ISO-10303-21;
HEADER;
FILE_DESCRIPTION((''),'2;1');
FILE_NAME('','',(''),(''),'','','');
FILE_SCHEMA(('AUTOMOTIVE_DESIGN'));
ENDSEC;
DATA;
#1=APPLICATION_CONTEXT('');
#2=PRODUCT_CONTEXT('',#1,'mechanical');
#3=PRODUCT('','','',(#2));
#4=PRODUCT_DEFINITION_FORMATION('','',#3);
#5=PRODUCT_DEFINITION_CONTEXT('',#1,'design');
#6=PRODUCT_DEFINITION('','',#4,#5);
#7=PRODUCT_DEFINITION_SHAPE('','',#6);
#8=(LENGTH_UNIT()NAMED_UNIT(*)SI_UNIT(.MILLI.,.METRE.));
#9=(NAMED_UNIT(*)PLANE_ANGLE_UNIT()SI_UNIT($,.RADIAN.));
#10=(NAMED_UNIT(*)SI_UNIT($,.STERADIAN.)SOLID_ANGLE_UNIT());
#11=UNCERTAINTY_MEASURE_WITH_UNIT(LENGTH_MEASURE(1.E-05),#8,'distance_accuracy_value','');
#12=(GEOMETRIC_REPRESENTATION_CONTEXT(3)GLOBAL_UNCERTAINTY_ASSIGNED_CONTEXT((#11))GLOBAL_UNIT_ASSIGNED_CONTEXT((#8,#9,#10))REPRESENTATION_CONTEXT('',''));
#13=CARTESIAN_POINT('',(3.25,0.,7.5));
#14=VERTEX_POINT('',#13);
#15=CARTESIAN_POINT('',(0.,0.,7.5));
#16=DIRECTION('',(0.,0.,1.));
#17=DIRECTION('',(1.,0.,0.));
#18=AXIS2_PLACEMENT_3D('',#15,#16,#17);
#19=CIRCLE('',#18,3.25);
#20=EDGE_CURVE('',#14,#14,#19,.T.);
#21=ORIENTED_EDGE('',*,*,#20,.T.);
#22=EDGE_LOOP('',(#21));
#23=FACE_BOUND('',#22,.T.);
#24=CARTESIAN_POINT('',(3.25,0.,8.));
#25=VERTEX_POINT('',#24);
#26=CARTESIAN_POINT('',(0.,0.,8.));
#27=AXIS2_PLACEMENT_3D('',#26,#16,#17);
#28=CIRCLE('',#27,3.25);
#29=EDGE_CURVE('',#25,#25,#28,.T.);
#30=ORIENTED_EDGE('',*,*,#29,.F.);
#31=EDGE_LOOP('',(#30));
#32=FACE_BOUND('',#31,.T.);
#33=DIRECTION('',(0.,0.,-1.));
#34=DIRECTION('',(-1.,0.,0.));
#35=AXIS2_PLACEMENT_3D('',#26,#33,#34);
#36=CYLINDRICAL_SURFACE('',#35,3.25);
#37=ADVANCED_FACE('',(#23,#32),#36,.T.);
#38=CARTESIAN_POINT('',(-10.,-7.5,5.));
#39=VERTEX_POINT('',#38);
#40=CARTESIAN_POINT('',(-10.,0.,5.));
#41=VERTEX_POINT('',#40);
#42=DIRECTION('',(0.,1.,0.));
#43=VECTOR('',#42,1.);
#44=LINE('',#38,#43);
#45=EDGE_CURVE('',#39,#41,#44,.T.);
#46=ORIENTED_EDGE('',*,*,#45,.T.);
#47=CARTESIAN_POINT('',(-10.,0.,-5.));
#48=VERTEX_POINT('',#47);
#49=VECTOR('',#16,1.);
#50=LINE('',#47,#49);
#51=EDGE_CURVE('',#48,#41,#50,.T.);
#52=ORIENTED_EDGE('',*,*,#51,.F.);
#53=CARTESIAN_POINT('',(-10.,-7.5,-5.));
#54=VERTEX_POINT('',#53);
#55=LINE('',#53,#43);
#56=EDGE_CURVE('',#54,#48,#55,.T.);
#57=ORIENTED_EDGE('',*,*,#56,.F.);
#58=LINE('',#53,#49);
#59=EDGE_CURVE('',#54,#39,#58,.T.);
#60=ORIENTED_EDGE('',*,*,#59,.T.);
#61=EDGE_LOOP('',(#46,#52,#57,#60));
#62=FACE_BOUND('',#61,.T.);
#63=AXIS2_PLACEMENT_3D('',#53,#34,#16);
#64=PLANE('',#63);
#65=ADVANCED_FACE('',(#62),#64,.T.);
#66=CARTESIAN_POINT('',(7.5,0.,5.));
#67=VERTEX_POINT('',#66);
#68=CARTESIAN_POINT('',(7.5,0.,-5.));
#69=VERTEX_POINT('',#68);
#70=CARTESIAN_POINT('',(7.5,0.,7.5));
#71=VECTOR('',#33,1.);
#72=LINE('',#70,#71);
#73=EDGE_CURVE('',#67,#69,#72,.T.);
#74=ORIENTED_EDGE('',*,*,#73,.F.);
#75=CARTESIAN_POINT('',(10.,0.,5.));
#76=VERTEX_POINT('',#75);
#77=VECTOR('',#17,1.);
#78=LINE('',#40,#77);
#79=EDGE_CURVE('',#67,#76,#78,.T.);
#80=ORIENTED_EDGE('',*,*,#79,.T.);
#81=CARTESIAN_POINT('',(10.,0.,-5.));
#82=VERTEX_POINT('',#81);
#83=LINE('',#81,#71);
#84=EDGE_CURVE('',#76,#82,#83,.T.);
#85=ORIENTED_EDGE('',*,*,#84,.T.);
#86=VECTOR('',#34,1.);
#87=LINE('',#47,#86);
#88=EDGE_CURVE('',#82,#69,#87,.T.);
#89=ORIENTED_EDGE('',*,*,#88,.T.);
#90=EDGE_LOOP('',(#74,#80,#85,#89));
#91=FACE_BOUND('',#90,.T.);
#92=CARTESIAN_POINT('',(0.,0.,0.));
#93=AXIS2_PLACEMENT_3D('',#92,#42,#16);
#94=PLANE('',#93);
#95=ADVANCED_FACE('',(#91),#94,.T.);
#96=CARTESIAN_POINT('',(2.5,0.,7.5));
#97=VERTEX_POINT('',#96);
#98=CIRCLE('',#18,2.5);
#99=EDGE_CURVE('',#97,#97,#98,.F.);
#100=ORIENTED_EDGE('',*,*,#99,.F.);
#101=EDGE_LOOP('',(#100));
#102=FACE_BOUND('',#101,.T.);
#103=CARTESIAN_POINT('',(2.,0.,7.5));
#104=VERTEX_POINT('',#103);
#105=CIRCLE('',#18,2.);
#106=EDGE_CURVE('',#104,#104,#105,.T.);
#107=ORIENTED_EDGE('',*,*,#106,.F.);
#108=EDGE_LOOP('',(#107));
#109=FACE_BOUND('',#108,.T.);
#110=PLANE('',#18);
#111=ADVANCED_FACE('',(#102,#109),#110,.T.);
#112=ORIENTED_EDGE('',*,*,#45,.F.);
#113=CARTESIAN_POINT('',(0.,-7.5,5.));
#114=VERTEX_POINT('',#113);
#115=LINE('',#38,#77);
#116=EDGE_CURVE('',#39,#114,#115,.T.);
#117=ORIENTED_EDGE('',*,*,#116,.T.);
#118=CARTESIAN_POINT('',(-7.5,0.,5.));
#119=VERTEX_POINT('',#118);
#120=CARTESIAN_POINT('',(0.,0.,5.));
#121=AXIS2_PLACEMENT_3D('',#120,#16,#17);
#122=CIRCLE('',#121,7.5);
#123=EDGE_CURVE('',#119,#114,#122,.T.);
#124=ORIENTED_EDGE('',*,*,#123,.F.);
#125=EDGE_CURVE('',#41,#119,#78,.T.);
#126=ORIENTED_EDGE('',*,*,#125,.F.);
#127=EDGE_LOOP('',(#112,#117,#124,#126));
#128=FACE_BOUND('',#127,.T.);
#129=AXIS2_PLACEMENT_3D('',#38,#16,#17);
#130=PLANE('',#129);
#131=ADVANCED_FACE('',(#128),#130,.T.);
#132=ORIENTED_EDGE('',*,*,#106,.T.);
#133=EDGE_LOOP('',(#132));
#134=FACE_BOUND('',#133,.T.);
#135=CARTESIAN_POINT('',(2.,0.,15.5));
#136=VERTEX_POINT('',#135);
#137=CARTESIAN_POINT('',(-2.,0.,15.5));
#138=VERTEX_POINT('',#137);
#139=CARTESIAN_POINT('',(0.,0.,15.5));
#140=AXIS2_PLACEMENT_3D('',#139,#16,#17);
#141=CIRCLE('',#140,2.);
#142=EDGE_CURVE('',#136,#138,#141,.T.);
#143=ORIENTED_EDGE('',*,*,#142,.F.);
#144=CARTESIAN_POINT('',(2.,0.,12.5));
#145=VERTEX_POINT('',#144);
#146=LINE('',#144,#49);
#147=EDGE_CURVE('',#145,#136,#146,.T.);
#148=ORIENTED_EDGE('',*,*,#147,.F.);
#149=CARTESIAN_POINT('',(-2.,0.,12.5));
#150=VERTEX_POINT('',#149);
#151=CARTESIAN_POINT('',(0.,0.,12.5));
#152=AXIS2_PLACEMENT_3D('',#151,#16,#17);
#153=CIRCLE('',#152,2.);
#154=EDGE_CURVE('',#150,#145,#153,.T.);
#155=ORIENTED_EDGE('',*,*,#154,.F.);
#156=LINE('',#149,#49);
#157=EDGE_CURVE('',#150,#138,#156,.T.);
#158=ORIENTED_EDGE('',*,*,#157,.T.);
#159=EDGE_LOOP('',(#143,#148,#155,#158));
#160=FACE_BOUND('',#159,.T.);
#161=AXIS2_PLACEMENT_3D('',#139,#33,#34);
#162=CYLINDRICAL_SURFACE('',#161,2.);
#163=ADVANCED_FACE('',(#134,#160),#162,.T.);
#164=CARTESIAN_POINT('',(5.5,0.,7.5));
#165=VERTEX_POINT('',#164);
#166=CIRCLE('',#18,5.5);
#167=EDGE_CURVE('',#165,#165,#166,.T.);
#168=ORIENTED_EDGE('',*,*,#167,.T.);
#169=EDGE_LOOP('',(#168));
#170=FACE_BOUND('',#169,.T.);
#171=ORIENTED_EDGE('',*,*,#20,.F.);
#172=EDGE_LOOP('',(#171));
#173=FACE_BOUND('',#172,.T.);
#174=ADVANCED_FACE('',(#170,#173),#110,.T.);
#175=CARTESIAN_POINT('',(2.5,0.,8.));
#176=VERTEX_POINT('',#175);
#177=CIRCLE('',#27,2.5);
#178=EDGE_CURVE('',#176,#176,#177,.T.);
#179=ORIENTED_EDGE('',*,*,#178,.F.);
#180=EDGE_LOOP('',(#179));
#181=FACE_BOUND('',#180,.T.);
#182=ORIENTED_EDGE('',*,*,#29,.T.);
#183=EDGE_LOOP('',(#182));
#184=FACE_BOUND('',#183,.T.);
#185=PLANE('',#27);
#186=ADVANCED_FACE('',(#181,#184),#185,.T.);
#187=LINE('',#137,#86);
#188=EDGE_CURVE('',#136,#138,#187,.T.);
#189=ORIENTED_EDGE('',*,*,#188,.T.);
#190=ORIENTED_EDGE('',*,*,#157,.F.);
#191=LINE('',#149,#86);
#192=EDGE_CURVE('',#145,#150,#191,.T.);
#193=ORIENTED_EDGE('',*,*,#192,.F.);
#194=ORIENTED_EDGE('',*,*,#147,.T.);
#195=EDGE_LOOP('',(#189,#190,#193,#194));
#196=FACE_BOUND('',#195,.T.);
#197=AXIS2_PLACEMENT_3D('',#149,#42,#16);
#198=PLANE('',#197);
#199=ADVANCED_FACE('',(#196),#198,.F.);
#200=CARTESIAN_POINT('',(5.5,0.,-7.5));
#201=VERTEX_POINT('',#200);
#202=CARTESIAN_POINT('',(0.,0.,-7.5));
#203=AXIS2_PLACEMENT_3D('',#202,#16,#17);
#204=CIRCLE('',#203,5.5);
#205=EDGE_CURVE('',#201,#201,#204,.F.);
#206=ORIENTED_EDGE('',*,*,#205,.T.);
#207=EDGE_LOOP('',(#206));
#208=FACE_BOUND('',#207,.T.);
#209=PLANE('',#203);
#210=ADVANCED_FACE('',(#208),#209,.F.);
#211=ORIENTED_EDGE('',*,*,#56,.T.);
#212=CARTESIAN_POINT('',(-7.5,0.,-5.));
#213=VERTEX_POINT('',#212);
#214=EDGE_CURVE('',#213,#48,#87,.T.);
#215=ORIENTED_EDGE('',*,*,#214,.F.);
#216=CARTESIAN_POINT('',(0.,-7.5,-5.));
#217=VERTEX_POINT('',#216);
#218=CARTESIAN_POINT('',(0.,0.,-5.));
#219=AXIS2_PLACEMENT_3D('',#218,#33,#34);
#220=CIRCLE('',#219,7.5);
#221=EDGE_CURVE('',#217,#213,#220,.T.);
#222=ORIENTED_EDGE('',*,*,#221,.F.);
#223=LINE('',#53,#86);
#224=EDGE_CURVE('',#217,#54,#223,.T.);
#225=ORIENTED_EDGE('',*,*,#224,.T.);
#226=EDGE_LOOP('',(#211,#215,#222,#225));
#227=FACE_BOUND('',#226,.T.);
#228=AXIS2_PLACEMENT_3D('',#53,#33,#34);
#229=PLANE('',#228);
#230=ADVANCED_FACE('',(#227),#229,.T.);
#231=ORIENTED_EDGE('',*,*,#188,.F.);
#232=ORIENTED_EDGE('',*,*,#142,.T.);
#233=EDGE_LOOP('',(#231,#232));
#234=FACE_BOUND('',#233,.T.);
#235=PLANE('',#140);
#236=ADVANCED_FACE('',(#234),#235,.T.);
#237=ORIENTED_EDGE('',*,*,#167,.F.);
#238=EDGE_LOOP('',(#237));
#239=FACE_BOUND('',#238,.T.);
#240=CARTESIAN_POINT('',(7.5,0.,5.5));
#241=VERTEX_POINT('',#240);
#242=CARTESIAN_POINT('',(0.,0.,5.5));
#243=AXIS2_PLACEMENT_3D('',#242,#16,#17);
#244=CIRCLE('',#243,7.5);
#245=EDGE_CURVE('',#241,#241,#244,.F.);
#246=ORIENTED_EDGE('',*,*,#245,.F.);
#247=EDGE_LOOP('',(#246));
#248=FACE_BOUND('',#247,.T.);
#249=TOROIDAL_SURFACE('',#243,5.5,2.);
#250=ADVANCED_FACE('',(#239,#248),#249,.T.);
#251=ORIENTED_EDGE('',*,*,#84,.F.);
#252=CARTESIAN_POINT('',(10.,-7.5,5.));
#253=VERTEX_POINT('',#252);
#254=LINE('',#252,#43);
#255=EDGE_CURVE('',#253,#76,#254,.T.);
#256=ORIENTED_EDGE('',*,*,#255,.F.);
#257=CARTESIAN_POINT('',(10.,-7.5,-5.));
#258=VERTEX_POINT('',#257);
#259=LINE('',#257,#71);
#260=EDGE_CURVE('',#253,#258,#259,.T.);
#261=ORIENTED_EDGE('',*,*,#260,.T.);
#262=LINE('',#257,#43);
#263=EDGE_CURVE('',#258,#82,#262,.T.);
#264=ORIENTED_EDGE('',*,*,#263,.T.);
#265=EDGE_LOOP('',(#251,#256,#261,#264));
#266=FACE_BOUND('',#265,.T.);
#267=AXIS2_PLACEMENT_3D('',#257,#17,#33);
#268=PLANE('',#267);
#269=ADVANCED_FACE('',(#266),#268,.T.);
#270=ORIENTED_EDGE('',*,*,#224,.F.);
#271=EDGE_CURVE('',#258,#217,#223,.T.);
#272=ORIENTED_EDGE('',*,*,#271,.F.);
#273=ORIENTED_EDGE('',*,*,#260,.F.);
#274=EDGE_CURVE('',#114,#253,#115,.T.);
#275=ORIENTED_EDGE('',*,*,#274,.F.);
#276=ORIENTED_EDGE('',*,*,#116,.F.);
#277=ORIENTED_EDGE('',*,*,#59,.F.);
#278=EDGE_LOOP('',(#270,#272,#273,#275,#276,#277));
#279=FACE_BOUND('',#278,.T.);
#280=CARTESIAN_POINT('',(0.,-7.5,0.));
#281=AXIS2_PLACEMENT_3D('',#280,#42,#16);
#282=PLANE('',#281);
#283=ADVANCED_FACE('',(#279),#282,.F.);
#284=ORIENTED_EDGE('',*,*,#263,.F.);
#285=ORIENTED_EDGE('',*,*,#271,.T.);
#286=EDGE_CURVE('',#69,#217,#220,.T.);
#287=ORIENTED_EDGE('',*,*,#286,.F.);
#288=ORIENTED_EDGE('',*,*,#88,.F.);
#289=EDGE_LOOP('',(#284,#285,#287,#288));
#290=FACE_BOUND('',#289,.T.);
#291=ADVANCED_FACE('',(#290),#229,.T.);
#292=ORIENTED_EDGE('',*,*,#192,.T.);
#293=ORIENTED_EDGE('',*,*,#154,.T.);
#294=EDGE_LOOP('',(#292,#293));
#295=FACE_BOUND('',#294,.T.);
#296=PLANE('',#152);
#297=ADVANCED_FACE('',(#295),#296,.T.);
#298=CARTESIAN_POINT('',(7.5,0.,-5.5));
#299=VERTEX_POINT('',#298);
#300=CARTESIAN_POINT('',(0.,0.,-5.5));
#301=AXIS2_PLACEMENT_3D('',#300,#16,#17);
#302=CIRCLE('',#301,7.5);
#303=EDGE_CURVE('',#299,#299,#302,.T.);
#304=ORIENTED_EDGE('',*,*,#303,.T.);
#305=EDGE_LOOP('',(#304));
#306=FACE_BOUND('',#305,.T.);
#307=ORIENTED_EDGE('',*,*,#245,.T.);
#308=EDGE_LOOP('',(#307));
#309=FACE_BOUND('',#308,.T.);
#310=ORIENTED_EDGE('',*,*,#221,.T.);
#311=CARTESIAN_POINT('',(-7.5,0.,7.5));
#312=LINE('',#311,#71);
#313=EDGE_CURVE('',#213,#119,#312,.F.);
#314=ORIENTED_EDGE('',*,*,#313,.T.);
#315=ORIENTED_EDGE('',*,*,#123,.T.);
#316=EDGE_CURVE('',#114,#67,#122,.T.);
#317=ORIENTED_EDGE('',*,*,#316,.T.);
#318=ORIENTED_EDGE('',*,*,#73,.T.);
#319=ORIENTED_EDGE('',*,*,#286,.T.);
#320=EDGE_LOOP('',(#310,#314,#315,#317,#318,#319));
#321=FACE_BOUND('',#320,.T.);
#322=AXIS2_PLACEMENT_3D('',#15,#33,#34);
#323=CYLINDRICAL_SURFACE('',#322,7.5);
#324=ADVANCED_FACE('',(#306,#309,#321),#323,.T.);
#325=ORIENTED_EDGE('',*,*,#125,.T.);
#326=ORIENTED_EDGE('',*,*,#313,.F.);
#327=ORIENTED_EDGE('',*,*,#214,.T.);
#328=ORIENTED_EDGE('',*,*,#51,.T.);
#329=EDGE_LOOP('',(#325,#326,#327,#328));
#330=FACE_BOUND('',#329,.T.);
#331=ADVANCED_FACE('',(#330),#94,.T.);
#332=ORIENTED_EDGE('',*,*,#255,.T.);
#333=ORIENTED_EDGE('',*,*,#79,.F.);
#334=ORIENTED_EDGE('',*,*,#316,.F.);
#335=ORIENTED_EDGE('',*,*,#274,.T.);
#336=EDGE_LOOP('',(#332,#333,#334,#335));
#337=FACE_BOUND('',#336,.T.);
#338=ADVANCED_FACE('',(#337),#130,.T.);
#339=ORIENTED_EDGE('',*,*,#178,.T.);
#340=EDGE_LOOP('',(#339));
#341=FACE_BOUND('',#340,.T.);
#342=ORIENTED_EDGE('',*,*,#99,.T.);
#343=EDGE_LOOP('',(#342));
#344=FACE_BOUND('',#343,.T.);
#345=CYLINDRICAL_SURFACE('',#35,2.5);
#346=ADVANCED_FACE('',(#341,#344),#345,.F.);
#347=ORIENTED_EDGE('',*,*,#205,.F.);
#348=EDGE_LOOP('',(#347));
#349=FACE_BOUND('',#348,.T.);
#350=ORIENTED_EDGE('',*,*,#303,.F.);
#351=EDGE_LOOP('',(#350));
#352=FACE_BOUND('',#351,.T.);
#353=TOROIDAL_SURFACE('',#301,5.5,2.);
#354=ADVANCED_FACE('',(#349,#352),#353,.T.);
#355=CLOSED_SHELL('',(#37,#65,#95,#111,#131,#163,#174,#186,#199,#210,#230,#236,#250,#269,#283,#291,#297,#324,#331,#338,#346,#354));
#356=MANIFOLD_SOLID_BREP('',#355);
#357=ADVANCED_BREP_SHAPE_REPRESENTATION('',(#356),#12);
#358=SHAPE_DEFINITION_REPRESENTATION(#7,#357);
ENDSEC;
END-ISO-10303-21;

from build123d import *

# Parameters (mm, degrees)
SKETCH1_R           = 7.5
BOSS_EXTRUDE5_DEPTH = 7.5
SKETCH7_R           = 3.25
SKETCH7_R_2         = 2.5
BOSS_EXTRUDE6_DEPTH = 0.5
SKETCH8_R           = 2
BOSS_EXTRUDE7_DEPTH = 8
CUT_EXTRUDE2_START  = -3
CUT_EXTRUDE2_DEPTH  = 3
SKETCH10_W          = 20
SKETCH10_H          = 10
BOSS_EXTRUDE8_DEPTH = 7.5
FILLET2_R           = 2


with BuildPart() as part:
    # Sketch1 → Boss-Extrude5 (new, symmetric)
    with BuildSketch(Plane.XY):
        Circle(SKETCH1_R)
    extrude(amount=BOSS_EXTRUDE5_DEPTH, both=True)

    # Sketch7 → Boss-Extrude6 (add)
    with BuildSketch(Plane.XY.offset(7.5)):
        Circle(SKETCH7_R)
        Circle(SKETCH7_R_2, mode=Mode.SUBTRACT)
    extrude(amount=BOSS_EXTRUDE6_DEPTH)

    # Sketch8 → Boss-Extrude7 (add)
    with BuildSketch(Plane.XY.offset(7.5)):
        Circle(SKETCH8_R)
    extrude(amount=BOSS_EXTRUDE7_DEPTH)

    # Sketch9 → Cut-Extrude2 (cut)
    with BuildSketch(Plane.XY.offset(15.5).offset(CUT_EXTRUDE2_START)):
        with BuildLine():
            Line((-2, 0), (2, 0))
            ThreePointArc((2, 0), (0, -2), (-2, 0))
        make_face()
    extrude(amount=CUT_EXTRUDE2_DEPTH, mode=Mode.SUBTRACT)

    # Sketch10 → Boss-Extrude8 (add)
    with BuildSketch(Plane(origin=(0, 0, 0), x_dir=(1, 0, 0), z_dir=(0, 1, 0))):
        Rectangle(SKETCH10_W, SKETCH10_H)
    extrude(amount=-BOSS_EXTRUDE8_DEPTH)

    # Fillet2
    fillet2_edges = [part.edges().sort_by_distance(p)[0] for p in [
        (-7.5, 0, -7.5),
        (-7.5, 0, 7.5),
    ]]
    fillet(fillet2_edges, radius=FILLET2_R)


solid = part.part
